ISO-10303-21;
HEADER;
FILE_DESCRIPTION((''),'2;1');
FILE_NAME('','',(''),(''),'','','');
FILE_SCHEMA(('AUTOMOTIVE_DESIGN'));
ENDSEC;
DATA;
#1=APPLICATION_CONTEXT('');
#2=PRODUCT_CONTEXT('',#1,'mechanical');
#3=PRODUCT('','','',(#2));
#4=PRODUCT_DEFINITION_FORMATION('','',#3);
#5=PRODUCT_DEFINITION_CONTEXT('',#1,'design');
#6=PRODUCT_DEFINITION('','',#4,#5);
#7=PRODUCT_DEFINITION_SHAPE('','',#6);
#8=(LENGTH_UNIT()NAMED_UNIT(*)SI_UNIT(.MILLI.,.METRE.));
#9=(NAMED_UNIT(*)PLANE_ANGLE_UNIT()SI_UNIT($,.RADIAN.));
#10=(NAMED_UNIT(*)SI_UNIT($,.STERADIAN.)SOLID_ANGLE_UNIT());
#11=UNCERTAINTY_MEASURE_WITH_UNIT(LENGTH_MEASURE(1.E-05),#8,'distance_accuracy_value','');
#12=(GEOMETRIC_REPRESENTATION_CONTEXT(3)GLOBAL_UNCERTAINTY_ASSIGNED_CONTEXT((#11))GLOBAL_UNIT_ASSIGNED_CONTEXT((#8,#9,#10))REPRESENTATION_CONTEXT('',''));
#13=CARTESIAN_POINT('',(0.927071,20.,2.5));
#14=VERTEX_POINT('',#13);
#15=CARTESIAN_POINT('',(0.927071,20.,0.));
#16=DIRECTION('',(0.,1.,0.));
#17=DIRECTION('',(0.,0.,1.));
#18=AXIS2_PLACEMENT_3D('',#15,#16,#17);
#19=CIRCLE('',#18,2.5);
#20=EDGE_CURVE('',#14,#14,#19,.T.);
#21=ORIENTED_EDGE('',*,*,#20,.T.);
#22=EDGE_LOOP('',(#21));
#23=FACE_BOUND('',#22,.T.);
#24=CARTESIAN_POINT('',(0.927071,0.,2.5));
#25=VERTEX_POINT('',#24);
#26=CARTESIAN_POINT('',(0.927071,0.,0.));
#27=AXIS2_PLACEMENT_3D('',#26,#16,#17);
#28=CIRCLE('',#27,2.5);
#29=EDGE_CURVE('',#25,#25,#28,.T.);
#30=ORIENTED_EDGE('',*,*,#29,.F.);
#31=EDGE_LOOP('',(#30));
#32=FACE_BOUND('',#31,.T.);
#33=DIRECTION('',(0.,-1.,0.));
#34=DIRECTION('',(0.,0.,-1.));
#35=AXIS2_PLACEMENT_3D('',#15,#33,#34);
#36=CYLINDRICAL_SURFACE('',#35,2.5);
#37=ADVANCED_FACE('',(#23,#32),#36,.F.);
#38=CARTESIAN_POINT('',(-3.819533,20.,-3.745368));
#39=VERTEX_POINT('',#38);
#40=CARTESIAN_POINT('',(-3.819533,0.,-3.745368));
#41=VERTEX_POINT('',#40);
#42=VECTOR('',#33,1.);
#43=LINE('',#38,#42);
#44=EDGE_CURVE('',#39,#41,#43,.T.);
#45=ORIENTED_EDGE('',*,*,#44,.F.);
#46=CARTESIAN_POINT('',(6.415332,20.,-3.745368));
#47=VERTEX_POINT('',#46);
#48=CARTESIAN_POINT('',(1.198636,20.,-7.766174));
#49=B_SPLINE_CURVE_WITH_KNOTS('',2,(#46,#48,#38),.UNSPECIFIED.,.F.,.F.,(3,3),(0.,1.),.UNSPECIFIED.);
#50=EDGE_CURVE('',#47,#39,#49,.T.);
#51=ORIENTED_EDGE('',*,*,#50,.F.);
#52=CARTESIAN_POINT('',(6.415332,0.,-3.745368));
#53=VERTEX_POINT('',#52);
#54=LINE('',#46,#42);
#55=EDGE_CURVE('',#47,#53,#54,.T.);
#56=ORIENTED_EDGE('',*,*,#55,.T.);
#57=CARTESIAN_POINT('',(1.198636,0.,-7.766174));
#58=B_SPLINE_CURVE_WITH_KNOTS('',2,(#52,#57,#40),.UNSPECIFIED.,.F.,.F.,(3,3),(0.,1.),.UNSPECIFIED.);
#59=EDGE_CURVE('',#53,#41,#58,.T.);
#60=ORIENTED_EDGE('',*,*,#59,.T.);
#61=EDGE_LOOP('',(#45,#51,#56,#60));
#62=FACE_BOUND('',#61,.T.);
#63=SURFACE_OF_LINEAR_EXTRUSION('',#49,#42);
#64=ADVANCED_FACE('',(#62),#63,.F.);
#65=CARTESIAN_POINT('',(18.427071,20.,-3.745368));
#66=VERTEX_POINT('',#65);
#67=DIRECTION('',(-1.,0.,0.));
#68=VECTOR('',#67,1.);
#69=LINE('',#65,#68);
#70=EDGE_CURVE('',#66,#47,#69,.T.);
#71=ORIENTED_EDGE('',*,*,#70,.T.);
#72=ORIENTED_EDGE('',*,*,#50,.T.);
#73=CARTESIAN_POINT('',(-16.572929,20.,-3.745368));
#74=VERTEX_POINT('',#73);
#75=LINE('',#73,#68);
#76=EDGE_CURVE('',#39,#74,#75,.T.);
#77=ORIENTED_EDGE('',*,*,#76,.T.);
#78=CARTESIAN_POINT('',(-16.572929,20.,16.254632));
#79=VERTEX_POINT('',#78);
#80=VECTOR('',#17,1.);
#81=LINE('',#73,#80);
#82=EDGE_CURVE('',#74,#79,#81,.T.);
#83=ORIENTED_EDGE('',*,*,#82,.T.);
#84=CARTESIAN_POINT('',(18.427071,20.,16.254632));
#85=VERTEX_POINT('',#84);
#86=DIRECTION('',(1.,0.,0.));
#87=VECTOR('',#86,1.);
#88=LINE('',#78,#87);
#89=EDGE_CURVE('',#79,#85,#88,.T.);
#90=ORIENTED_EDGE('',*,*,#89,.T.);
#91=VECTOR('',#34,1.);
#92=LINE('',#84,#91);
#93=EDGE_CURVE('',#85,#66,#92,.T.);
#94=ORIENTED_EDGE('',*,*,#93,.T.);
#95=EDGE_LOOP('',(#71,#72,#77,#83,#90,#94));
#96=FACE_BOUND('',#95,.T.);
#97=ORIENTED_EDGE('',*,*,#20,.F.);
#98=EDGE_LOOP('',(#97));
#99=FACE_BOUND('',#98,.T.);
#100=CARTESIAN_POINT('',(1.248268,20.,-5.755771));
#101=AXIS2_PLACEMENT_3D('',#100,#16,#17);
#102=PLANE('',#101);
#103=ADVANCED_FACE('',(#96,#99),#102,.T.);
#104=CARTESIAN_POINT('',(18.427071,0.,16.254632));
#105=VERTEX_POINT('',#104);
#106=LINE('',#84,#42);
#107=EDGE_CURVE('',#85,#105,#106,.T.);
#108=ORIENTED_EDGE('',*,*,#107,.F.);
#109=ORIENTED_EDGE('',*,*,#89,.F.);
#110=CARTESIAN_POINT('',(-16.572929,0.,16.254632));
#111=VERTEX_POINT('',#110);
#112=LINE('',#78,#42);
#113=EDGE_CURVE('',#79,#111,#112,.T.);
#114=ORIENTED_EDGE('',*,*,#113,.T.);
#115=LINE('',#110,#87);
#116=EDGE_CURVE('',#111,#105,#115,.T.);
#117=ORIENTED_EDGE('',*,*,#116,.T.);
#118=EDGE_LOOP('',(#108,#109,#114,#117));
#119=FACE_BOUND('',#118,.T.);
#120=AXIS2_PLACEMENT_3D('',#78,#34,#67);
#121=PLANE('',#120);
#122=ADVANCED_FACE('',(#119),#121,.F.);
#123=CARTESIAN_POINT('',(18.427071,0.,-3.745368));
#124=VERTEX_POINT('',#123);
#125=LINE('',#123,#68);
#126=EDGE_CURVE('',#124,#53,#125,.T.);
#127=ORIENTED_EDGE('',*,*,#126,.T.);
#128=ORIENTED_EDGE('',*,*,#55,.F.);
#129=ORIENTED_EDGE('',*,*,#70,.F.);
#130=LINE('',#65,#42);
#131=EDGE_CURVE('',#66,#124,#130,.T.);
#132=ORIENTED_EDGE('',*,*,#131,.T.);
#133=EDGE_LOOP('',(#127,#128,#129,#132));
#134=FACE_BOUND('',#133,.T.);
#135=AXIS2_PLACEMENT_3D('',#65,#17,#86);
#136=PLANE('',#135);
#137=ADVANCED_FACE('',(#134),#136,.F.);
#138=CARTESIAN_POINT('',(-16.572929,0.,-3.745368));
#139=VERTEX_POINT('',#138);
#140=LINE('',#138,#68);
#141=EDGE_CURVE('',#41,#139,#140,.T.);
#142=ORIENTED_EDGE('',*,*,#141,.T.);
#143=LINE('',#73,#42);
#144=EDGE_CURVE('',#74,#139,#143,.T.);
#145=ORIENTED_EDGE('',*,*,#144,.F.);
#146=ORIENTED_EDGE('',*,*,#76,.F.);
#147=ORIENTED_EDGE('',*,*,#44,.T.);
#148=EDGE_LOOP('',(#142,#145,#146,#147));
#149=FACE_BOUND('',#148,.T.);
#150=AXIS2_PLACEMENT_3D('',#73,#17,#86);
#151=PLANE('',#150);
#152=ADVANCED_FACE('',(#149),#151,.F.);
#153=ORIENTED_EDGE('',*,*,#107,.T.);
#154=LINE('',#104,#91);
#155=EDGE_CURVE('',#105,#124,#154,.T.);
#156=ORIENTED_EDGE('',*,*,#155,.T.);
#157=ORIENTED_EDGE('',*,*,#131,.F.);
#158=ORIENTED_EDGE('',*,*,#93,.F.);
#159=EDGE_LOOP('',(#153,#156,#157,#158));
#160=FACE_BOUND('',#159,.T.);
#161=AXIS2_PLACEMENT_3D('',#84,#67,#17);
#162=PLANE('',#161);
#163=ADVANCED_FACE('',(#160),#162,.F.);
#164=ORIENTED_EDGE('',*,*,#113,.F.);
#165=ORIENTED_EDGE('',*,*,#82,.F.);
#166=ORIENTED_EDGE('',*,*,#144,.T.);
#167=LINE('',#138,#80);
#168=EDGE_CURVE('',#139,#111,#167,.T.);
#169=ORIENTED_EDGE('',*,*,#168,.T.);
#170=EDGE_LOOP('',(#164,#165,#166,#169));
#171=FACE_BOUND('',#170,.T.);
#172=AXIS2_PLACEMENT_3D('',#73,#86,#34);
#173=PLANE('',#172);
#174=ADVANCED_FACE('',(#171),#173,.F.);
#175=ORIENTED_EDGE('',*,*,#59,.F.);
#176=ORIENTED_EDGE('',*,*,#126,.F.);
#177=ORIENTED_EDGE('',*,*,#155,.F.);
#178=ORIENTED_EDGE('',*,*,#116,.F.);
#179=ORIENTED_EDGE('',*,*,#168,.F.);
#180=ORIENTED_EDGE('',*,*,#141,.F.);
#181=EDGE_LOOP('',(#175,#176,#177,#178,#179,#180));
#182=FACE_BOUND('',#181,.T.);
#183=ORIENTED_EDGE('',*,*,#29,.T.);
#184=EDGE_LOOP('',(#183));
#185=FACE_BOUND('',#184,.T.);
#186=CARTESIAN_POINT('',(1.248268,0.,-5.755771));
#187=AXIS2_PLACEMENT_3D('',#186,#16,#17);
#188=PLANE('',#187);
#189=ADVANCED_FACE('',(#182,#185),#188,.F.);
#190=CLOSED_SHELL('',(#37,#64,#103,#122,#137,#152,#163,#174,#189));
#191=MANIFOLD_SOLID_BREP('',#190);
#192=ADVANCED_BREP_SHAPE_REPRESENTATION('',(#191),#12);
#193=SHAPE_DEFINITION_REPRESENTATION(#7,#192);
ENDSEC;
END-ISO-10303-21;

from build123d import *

# Parameters (mm, degrees)
SKETCH1_R           = 2.5
BOSS_EXTRUDE1_DEPTH = 20


with BuildPart() as part:
    # Sketch1 → Boss-Extrude1 (new body)
    with BuildSketch(Plane(origin=(0, 0, 0), x_dir=(1, 0, 0), z_dir=(0, 1, 0))):
        with BuildLine():
            Line((-16.572928834, 3.745367509), (-16.572928834, -16.254632491))
            Line((-16.572928834, -16.254632491), (18.427071166, -16.254632491))
            Line((18.427071166, -16.254632491), (18.427071166, 3.745367509))
            Line((18.427071166, 3.745367509), (6.415332466, 3.745367509))
            add(Edge.make_bspline(
                [(-3.819533202, 3.745367509), (1.198635577, 7.766174081), (6.415332466, 3.745367509)],
                knots=[0, 0, 0, 1, 1, 1], degree=2))
            Line((-3.819533202, 3.745367509), (-16.572928834, 3.745367509))
        make_face()
        with Locations((0.927071166, 0)):
            Circle(SKETCH1_R, mode=Mode.SUBTRACT)
    extrude(amount=BOSS_EXTRUDE1_DEPTH)


solid = part.part
